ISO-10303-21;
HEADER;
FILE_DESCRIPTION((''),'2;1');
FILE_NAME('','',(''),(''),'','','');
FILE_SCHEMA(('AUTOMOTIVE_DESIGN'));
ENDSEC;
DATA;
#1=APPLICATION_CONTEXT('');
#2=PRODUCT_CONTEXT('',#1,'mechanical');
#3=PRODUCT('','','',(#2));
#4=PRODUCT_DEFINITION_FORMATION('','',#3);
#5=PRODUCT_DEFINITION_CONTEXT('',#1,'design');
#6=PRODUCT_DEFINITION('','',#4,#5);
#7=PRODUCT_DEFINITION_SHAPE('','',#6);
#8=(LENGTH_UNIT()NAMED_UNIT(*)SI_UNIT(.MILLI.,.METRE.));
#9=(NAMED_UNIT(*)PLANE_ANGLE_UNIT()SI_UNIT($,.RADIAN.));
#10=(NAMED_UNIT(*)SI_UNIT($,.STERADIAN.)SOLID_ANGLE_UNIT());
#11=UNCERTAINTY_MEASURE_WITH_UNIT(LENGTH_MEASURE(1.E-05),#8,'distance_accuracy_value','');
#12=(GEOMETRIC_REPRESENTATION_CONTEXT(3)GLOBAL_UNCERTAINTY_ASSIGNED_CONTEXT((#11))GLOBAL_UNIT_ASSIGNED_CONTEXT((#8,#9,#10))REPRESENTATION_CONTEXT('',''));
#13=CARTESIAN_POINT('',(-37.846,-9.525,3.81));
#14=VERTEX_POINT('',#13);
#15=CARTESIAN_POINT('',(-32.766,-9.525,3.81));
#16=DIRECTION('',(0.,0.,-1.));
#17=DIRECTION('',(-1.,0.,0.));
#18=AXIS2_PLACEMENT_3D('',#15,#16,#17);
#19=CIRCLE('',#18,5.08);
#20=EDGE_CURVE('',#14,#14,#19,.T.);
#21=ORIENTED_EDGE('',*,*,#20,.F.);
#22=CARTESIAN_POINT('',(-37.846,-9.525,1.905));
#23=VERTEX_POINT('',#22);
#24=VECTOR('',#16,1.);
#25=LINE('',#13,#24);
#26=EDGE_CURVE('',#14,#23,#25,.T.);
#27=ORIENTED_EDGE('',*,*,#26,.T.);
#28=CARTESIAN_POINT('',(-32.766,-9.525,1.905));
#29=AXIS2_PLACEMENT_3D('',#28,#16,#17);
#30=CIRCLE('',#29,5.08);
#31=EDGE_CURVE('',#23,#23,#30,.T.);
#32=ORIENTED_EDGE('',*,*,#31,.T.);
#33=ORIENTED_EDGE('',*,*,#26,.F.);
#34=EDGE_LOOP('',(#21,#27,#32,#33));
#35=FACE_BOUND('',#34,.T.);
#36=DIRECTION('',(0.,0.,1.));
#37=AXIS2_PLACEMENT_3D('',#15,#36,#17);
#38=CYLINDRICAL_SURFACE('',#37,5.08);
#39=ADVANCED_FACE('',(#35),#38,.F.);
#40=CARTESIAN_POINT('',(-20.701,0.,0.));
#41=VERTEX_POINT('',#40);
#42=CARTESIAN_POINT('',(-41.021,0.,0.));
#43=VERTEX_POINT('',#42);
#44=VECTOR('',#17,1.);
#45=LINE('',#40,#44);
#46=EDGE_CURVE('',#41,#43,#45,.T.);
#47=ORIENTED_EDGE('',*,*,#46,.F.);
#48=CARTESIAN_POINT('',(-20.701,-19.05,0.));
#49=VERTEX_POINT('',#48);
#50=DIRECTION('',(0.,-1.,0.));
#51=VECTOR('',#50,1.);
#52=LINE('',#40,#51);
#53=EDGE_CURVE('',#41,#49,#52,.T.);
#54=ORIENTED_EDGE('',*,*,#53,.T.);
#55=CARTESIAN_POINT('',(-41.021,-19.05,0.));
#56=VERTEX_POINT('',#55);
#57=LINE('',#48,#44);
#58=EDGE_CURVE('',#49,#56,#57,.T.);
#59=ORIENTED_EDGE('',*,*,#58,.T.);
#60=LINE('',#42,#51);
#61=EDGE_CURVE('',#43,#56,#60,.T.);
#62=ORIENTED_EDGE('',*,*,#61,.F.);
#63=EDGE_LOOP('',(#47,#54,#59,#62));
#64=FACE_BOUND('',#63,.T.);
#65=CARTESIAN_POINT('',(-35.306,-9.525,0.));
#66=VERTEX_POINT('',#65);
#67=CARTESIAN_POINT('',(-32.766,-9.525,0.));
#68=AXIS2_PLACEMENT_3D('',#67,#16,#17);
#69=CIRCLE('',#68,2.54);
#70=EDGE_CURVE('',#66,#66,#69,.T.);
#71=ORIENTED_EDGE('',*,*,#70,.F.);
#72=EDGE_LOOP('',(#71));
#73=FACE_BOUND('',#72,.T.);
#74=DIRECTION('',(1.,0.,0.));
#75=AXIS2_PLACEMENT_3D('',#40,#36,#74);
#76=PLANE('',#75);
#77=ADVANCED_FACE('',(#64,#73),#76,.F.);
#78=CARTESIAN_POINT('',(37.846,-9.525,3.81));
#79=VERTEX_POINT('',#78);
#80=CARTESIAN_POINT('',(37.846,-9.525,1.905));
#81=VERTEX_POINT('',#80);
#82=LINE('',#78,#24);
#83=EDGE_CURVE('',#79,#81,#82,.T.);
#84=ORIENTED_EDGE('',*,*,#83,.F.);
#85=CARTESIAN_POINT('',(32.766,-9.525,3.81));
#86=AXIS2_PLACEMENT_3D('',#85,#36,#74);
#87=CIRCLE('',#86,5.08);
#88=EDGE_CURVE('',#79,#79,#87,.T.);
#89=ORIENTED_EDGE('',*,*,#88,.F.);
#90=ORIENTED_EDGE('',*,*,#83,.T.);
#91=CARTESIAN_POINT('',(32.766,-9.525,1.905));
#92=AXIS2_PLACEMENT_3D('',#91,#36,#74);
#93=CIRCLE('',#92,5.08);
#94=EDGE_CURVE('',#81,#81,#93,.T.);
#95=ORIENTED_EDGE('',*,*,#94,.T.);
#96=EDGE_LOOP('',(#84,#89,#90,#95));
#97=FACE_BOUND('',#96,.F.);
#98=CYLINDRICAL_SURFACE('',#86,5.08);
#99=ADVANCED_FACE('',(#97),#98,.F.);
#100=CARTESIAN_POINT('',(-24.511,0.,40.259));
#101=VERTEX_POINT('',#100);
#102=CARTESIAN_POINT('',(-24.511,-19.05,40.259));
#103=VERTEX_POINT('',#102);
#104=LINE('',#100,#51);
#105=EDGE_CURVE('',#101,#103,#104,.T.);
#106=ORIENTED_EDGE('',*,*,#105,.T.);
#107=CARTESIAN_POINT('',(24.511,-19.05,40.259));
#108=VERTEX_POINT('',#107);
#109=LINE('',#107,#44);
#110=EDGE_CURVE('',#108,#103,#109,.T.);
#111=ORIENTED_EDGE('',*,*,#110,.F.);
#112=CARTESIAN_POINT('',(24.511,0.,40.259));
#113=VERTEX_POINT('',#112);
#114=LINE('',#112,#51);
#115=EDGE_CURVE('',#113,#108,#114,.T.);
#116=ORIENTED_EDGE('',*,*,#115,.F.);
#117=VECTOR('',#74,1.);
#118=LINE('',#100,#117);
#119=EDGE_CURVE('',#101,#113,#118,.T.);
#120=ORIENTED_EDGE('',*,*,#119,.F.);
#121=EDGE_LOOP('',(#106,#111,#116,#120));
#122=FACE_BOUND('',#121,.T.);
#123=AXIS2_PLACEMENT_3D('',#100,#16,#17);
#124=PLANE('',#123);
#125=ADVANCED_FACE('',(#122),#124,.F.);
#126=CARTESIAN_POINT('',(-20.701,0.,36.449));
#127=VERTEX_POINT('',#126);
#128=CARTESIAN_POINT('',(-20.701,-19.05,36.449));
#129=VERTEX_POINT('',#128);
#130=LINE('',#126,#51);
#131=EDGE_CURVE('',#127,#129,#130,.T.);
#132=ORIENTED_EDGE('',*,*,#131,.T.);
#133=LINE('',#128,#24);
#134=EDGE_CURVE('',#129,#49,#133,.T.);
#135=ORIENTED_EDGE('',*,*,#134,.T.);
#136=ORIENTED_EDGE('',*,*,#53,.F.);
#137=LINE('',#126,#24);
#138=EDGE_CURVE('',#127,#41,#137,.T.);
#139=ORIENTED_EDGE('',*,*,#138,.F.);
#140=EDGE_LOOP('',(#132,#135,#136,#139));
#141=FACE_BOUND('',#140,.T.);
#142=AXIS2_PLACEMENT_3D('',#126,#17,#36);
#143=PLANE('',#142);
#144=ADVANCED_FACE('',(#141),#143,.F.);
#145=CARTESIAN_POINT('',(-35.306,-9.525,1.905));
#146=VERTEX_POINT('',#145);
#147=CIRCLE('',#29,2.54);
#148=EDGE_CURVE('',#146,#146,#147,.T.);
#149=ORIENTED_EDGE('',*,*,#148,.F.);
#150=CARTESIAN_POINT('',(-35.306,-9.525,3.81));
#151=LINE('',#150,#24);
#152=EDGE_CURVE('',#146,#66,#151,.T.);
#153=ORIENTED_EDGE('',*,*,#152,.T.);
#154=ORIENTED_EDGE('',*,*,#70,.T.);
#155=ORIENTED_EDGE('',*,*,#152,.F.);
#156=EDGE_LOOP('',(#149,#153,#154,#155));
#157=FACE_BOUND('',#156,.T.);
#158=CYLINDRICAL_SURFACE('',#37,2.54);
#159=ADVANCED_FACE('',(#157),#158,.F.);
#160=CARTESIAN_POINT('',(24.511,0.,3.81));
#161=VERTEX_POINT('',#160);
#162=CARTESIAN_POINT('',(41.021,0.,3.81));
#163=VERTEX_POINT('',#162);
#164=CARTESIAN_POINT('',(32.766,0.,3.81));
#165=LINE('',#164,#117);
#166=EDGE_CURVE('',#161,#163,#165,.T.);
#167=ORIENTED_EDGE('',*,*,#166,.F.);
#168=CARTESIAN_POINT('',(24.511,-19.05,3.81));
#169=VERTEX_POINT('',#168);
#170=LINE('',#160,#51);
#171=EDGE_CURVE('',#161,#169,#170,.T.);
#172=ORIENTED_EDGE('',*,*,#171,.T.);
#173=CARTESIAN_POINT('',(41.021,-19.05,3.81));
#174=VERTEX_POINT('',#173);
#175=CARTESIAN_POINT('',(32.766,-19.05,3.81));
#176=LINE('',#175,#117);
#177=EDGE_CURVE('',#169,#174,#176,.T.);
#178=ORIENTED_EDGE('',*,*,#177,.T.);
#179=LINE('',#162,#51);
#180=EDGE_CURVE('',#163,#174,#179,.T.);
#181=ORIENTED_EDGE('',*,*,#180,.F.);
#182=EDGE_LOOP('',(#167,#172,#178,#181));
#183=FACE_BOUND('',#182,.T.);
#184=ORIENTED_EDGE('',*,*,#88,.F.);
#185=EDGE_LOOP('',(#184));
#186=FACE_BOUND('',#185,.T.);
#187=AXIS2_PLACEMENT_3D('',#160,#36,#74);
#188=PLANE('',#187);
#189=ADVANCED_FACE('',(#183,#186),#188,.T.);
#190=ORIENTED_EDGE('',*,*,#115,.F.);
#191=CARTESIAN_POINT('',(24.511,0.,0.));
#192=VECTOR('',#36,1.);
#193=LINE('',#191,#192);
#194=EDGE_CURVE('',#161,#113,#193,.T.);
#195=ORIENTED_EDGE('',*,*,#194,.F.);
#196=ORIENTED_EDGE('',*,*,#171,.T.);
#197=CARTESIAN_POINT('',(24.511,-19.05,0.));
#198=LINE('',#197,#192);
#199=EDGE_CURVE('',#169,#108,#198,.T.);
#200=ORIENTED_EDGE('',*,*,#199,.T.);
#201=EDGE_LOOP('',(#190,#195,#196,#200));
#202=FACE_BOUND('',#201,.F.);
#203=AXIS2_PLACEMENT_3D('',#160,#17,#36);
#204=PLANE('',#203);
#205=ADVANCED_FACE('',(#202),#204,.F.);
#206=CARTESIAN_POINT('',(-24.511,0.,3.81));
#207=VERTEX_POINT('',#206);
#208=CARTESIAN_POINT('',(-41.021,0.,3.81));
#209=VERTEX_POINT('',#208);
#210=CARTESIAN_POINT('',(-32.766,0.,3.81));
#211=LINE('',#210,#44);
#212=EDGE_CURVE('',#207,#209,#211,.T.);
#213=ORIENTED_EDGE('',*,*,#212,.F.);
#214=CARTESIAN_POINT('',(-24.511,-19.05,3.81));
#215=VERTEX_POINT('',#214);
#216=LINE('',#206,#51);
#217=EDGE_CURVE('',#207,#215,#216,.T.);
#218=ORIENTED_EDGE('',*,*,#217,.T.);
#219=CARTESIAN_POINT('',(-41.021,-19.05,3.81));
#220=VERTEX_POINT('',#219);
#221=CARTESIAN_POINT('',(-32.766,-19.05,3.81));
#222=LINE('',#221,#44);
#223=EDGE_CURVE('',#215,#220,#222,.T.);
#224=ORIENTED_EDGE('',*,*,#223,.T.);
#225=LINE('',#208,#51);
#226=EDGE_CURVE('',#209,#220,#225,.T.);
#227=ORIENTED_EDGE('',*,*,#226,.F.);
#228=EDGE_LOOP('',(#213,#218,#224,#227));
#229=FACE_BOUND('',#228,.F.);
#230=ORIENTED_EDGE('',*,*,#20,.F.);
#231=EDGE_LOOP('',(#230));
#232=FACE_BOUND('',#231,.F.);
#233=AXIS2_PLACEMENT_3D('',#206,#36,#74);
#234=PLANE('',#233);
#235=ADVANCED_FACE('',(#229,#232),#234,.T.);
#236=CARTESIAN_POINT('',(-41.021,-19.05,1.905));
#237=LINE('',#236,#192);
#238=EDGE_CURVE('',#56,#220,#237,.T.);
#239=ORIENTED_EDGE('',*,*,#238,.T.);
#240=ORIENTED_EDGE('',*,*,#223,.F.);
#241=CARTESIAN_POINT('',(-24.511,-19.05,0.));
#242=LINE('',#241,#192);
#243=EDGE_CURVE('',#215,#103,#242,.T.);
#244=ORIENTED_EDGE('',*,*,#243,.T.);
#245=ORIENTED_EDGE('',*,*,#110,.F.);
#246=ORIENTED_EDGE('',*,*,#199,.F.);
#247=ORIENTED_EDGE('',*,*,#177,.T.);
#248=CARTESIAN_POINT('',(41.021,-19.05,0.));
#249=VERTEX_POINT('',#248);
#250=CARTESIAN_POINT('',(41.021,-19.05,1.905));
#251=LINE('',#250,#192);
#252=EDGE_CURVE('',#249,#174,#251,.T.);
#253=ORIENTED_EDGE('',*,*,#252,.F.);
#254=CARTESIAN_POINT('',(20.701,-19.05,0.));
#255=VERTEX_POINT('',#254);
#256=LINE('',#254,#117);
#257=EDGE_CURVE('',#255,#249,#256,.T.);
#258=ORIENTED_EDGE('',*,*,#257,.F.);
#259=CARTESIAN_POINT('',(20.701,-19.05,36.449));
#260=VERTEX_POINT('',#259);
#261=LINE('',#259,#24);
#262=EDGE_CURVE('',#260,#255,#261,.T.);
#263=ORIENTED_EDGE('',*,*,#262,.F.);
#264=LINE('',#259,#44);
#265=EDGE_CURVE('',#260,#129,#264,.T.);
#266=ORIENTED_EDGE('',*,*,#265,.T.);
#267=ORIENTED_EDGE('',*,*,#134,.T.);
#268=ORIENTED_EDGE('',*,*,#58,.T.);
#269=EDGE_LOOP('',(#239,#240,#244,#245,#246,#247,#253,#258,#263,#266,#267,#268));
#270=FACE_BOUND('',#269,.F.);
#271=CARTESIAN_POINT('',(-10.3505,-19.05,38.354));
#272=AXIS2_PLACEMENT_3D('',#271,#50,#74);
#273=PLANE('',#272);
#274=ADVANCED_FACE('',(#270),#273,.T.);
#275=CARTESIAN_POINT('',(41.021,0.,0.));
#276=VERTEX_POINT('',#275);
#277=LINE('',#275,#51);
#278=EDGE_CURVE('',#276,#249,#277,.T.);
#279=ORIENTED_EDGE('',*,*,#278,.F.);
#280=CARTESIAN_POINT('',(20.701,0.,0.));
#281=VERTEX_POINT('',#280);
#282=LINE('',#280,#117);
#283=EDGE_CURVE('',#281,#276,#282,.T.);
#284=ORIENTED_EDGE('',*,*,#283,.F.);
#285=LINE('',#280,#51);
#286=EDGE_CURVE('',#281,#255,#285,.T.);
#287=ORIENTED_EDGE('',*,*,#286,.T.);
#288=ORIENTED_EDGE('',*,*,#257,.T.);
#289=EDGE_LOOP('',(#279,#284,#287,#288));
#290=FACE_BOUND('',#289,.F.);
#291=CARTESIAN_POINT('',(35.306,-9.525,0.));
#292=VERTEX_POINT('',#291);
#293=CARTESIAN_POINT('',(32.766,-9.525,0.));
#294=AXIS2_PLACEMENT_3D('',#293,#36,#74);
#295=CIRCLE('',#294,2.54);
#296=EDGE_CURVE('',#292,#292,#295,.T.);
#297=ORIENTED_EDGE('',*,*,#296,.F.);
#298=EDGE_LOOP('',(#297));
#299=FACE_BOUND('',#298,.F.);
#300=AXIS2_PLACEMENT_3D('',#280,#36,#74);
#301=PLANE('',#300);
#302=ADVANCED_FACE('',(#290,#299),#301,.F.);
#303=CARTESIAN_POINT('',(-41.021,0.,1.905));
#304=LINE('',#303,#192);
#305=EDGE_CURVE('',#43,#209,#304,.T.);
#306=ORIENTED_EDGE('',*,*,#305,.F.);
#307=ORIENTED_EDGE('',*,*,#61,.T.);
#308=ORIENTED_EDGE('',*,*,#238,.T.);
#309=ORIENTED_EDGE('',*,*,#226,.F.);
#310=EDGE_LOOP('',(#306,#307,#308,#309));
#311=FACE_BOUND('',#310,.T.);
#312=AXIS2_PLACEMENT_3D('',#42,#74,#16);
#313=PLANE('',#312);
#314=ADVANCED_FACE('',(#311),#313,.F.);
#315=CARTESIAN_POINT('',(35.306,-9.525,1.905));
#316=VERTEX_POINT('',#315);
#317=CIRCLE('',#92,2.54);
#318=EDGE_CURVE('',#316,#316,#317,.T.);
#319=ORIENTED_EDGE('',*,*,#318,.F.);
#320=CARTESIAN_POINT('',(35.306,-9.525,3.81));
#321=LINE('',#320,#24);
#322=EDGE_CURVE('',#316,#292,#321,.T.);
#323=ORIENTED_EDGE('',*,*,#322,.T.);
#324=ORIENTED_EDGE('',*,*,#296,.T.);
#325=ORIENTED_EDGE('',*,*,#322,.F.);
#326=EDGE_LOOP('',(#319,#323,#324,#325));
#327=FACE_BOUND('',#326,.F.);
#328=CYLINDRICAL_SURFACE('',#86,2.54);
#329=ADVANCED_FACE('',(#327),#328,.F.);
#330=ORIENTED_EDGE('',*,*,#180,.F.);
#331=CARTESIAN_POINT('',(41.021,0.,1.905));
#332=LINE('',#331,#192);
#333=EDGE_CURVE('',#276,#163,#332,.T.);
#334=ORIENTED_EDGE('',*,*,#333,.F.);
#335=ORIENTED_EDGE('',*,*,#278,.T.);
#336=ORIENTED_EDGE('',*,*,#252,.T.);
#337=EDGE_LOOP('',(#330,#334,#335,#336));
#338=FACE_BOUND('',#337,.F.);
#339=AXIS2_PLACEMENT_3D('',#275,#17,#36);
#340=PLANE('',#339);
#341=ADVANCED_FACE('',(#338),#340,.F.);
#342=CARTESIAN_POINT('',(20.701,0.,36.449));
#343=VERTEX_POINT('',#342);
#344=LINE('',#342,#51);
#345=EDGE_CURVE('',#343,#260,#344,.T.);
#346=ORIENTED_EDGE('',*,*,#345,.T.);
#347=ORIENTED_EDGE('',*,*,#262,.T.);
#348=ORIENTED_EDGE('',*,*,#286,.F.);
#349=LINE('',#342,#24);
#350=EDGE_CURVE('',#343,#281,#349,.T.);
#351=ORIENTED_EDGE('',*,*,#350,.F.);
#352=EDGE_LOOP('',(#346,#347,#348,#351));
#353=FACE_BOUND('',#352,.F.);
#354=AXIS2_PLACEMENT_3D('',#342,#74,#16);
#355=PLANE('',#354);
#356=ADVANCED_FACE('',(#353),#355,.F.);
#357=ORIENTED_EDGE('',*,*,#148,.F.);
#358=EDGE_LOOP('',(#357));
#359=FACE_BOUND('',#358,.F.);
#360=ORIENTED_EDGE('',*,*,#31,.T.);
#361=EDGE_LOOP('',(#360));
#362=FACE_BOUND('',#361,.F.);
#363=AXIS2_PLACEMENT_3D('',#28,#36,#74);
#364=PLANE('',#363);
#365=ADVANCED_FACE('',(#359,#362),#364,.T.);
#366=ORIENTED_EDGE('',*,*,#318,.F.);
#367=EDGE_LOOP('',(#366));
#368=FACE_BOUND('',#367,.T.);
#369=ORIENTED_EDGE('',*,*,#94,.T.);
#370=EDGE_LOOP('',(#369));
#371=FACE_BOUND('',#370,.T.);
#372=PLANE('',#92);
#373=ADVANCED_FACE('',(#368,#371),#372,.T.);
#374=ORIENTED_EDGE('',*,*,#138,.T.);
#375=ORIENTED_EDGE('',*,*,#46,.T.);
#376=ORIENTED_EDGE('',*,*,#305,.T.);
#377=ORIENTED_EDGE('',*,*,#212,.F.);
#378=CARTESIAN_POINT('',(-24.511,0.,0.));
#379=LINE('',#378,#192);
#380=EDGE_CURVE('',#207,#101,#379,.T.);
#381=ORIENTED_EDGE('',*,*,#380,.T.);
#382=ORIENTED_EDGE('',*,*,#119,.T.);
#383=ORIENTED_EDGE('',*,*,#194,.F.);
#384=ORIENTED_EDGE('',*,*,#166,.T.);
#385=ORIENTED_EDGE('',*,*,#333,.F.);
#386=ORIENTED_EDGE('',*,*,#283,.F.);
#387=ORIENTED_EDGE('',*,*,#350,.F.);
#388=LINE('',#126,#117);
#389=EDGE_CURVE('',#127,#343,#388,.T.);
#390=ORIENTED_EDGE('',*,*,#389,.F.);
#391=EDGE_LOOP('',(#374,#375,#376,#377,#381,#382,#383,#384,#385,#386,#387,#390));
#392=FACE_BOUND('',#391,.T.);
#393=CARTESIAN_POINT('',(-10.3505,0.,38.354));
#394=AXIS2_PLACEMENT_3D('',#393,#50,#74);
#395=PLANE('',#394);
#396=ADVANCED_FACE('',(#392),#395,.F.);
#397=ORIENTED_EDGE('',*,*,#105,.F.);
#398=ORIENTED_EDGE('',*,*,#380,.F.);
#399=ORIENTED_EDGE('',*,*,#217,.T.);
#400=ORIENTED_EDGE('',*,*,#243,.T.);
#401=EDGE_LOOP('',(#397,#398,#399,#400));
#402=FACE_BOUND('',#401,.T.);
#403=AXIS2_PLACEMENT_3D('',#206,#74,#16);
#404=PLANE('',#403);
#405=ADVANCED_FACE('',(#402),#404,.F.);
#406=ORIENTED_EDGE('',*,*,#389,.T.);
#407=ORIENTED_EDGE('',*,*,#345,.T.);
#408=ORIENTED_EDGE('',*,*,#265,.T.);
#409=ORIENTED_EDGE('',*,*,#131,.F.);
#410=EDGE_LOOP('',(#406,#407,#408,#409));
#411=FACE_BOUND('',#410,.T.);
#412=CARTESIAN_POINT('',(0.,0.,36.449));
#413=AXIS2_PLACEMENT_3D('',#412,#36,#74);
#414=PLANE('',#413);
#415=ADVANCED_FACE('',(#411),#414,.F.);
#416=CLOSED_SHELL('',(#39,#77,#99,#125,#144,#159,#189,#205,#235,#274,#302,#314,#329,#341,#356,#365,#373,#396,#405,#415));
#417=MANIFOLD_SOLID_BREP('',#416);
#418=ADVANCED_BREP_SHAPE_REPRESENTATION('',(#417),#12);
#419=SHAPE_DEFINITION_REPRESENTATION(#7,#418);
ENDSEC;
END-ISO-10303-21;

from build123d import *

# Parameters (mm, degrees)
F1_W     = 20.701
F1_H     = 3.81
F1_W_2   = 3.81
F1_H_2   = 32.639
F1_W_3   = 16.51
F2_DEPTH = 19.05
F3_R     = 2.54
F4_DEPTH = 3.811
F5_R     = 5.08
F6_DEPTH = 1.905


with BuildPart() as f2:
    # F1 (on Front) → F2 (new body)
    with BuildSketch(Plane.XZ):
        with Locations((10.3505, 38.354)):
            Rectangle(F1_W, F1_H)
        with Locations((22.606, 38.354)):
            Rectangle(F1_W_2, F1_H)
        with Locations((22.606, 20.1295)):
            Rectangle(F1_W_2, F1_H_2)
        with Locations((22.606, 1.905)):
            Rectangle(F1_W_2, F1_H)
        with Locations((32.766, 1.905)):
            Rectangle(F1_W_3, F1_H)
    extrude(amount=F2_DEPTH)

    # F3 (on face) → F4 (cut, through all)
    with BuildSketch(Plane.XY.offset(3.81)):
        with Locations((32.766, -9.525)):
            Circle(F3_R)
    extrude(amount=-F4_DEPTH, mode=Mode.SUBTRACT)

    # F5 (on face) → F6 (cut)
    with BuildSketch(Plane.XY.offset(3.81)):
        with Locations((32.766, -9.525)):
            Circle(F5_R)
    extrude(amount=-F6_DEPTH, mode=Mode.SUBTRACT)

    # F7: F2 across plane


with BuildPart() as f2_1:
    add(f2.part)
    add(f2.part.mirror(Plane.YZ))


solid = f2_1.part
